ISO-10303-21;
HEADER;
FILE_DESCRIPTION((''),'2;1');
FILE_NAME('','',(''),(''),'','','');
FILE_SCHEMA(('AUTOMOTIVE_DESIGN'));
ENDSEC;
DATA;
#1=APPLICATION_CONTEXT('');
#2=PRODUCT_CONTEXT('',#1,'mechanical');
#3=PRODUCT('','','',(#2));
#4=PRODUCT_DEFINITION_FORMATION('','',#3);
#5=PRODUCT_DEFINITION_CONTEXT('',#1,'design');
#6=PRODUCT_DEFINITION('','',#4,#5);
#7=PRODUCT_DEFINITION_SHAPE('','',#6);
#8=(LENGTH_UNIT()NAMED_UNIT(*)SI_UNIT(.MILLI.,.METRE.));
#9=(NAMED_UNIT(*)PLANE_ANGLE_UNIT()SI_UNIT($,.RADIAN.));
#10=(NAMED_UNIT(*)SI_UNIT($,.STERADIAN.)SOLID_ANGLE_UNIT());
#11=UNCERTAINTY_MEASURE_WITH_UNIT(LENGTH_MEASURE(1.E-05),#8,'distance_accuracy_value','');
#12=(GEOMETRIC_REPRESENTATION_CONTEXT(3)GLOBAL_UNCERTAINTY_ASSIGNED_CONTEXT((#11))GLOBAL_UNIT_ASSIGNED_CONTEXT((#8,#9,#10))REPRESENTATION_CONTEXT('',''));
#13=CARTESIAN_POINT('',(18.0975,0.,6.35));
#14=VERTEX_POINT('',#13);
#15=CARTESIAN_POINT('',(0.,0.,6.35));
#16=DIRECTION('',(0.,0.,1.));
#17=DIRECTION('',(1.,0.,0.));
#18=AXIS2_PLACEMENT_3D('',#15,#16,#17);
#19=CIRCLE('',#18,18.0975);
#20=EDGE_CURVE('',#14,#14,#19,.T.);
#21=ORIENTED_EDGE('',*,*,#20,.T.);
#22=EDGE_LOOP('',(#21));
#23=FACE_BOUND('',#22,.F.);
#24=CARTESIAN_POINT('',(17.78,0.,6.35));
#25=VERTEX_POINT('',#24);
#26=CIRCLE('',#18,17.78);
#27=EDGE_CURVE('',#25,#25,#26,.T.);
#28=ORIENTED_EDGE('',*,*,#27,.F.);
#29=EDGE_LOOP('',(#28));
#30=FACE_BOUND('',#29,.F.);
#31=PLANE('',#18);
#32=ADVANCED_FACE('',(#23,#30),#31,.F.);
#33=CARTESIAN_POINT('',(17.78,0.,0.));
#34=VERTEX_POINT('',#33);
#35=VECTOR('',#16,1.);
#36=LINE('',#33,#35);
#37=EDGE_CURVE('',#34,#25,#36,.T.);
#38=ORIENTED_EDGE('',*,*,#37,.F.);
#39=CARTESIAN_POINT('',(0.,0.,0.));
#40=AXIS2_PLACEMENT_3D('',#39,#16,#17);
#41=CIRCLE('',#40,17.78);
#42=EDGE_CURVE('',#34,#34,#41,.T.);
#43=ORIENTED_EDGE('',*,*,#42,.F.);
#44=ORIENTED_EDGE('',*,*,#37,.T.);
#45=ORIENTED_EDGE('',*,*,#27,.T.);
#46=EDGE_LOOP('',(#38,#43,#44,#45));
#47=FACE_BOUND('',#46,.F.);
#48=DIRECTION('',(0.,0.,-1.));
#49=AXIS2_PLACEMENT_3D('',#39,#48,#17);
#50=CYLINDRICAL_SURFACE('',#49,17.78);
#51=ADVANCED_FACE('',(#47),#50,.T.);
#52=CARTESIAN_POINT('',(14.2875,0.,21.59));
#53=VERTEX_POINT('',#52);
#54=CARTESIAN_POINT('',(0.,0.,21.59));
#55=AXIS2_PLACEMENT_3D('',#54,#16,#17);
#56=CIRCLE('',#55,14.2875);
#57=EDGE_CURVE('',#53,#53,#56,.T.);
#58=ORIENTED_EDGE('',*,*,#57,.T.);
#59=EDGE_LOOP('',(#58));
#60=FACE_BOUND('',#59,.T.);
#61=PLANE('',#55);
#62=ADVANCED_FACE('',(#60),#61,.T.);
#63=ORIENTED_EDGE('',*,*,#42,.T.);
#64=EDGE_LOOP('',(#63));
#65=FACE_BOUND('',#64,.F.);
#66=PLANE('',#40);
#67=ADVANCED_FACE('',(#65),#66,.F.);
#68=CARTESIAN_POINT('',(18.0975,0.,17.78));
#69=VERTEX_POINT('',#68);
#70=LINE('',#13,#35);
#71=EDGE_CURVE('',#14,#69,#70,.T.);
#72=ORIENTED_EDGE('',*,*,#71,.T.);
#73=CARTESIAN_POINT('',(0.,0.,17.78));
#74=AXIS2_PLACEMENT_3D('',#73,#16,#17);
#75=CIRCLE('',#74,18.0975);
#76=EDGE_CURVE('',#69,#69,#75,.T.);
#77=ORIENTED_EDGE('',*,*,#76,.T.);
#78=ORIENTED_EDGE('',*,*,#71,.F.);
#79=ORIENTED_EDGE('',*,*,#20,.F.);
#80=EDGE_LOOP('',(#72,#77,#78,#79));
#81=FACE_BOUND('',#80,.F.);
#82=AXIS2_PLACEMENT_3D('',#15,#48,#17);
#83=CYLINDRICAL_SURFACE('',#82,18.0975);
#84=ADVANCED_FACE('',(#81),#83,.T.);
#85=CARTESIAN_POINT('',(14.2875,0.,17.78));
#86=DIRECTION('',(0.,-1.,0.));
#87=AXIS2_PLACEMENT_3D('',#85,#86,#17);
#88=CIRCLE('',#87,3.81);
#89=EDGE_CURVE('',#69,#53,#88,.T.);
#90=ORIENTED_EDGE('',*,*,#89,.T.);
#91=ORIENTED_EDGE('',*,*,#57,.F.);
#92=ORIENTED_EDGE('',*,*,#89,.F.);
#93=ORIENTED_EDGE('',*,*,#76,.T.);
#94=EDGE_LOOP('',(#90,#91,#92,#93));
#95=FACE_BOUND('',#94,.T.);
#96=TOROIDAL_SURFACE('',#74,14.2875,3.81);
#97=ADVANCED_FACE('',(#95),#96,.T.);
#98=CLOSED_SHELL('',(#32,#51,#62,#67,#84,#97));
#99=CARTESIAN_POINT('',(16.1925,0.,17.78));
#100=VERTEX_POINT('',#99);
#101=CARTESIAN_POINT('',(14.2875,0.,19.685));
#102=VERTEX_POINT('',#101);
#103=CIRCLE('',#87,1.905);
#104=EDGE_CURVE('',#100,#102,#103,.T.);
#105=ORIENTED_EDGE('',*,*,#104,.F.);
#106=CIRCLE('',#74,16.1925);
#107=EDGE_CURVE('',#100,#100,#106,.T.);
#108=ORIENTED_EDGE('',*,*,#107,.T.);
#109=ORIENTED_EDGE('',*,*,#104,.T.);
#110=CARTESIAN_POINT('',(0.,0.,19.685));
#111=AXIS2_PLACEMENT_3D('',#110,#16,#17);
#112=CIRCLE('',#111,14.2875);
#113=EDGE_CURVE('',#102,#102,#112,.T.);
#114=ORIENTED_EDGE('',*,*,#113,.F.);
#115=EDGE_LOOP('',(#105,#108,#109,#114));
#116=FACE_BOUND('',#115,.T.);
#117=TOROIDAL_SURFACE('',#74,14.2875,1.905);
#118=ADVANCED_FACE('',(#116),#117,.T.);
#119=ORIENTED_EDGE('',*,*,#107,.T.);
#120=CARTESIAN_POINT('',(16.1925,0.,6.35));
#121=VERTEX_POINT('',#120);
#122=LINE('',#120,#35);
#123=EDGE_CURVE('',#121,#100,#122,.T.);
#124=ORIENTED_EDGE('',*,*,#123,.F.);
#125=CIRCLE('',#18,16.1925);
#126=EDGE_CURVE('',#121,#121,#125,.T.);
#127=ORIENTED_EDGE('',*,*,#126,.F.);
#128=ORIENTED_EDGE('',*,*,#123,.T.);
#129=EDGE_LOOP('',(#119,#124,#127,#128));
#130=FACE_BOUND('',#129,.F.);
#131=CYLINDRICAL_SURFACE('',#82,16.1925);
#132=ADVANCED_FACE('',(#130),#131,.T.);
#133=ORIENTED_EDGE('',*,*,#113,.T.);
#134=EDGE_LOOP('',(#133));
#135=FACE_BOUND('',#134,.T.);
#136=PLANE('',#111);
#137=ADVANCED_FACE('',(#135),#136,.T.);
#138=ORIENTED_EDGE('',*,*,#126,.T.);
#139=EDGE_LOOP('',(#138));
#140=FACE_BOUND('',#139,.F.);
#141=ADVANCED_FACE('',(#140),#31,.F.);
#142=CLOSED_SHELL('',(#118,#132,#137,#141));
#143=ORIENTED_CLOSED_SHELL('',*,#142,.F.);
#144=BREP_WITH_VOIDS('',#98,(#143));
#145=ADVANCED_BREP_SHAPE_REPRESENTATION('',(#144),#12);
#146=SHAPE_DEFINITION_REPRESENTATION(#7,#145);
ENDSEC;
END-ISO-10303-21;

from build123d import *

# Parameters (mm, degrees)
F1_R     = 18.0975
F2_DEPTH = 15.24
F3_R     = 3.81
F5_T     = -1.905
F4_R     = 17.78
F6_DEPTH = 6.35


with BuildPart() as f2:
    # F1 (on offset) → F2 (new body)
    with BuildSketch(Plane.XY.offset(6.35)):
        Circle(F1_R)
    extrude(amount=F2_DEPTH)

    # F3
    f3_edges = [f2.edges().sort_by_distance(p)[0] for p in [
        (-18.0975, 0, 21.59),
    ]]
    fillet(f3_edges, radius=F3_R)

    # F5
    f5_openings = [f2.faces().sort_by_distance(p)[0] for p in [
        (0, 0, 6.35),
    ]]
    offset(amount=F5_T, openings=f5_openings)

    # F4 (on Top) → F6 (join)
    with BuildSketch(Plane.XY):
        Circle(F4_R)
    extrude(amount=F6_DEPTH)


solid = f2.part
